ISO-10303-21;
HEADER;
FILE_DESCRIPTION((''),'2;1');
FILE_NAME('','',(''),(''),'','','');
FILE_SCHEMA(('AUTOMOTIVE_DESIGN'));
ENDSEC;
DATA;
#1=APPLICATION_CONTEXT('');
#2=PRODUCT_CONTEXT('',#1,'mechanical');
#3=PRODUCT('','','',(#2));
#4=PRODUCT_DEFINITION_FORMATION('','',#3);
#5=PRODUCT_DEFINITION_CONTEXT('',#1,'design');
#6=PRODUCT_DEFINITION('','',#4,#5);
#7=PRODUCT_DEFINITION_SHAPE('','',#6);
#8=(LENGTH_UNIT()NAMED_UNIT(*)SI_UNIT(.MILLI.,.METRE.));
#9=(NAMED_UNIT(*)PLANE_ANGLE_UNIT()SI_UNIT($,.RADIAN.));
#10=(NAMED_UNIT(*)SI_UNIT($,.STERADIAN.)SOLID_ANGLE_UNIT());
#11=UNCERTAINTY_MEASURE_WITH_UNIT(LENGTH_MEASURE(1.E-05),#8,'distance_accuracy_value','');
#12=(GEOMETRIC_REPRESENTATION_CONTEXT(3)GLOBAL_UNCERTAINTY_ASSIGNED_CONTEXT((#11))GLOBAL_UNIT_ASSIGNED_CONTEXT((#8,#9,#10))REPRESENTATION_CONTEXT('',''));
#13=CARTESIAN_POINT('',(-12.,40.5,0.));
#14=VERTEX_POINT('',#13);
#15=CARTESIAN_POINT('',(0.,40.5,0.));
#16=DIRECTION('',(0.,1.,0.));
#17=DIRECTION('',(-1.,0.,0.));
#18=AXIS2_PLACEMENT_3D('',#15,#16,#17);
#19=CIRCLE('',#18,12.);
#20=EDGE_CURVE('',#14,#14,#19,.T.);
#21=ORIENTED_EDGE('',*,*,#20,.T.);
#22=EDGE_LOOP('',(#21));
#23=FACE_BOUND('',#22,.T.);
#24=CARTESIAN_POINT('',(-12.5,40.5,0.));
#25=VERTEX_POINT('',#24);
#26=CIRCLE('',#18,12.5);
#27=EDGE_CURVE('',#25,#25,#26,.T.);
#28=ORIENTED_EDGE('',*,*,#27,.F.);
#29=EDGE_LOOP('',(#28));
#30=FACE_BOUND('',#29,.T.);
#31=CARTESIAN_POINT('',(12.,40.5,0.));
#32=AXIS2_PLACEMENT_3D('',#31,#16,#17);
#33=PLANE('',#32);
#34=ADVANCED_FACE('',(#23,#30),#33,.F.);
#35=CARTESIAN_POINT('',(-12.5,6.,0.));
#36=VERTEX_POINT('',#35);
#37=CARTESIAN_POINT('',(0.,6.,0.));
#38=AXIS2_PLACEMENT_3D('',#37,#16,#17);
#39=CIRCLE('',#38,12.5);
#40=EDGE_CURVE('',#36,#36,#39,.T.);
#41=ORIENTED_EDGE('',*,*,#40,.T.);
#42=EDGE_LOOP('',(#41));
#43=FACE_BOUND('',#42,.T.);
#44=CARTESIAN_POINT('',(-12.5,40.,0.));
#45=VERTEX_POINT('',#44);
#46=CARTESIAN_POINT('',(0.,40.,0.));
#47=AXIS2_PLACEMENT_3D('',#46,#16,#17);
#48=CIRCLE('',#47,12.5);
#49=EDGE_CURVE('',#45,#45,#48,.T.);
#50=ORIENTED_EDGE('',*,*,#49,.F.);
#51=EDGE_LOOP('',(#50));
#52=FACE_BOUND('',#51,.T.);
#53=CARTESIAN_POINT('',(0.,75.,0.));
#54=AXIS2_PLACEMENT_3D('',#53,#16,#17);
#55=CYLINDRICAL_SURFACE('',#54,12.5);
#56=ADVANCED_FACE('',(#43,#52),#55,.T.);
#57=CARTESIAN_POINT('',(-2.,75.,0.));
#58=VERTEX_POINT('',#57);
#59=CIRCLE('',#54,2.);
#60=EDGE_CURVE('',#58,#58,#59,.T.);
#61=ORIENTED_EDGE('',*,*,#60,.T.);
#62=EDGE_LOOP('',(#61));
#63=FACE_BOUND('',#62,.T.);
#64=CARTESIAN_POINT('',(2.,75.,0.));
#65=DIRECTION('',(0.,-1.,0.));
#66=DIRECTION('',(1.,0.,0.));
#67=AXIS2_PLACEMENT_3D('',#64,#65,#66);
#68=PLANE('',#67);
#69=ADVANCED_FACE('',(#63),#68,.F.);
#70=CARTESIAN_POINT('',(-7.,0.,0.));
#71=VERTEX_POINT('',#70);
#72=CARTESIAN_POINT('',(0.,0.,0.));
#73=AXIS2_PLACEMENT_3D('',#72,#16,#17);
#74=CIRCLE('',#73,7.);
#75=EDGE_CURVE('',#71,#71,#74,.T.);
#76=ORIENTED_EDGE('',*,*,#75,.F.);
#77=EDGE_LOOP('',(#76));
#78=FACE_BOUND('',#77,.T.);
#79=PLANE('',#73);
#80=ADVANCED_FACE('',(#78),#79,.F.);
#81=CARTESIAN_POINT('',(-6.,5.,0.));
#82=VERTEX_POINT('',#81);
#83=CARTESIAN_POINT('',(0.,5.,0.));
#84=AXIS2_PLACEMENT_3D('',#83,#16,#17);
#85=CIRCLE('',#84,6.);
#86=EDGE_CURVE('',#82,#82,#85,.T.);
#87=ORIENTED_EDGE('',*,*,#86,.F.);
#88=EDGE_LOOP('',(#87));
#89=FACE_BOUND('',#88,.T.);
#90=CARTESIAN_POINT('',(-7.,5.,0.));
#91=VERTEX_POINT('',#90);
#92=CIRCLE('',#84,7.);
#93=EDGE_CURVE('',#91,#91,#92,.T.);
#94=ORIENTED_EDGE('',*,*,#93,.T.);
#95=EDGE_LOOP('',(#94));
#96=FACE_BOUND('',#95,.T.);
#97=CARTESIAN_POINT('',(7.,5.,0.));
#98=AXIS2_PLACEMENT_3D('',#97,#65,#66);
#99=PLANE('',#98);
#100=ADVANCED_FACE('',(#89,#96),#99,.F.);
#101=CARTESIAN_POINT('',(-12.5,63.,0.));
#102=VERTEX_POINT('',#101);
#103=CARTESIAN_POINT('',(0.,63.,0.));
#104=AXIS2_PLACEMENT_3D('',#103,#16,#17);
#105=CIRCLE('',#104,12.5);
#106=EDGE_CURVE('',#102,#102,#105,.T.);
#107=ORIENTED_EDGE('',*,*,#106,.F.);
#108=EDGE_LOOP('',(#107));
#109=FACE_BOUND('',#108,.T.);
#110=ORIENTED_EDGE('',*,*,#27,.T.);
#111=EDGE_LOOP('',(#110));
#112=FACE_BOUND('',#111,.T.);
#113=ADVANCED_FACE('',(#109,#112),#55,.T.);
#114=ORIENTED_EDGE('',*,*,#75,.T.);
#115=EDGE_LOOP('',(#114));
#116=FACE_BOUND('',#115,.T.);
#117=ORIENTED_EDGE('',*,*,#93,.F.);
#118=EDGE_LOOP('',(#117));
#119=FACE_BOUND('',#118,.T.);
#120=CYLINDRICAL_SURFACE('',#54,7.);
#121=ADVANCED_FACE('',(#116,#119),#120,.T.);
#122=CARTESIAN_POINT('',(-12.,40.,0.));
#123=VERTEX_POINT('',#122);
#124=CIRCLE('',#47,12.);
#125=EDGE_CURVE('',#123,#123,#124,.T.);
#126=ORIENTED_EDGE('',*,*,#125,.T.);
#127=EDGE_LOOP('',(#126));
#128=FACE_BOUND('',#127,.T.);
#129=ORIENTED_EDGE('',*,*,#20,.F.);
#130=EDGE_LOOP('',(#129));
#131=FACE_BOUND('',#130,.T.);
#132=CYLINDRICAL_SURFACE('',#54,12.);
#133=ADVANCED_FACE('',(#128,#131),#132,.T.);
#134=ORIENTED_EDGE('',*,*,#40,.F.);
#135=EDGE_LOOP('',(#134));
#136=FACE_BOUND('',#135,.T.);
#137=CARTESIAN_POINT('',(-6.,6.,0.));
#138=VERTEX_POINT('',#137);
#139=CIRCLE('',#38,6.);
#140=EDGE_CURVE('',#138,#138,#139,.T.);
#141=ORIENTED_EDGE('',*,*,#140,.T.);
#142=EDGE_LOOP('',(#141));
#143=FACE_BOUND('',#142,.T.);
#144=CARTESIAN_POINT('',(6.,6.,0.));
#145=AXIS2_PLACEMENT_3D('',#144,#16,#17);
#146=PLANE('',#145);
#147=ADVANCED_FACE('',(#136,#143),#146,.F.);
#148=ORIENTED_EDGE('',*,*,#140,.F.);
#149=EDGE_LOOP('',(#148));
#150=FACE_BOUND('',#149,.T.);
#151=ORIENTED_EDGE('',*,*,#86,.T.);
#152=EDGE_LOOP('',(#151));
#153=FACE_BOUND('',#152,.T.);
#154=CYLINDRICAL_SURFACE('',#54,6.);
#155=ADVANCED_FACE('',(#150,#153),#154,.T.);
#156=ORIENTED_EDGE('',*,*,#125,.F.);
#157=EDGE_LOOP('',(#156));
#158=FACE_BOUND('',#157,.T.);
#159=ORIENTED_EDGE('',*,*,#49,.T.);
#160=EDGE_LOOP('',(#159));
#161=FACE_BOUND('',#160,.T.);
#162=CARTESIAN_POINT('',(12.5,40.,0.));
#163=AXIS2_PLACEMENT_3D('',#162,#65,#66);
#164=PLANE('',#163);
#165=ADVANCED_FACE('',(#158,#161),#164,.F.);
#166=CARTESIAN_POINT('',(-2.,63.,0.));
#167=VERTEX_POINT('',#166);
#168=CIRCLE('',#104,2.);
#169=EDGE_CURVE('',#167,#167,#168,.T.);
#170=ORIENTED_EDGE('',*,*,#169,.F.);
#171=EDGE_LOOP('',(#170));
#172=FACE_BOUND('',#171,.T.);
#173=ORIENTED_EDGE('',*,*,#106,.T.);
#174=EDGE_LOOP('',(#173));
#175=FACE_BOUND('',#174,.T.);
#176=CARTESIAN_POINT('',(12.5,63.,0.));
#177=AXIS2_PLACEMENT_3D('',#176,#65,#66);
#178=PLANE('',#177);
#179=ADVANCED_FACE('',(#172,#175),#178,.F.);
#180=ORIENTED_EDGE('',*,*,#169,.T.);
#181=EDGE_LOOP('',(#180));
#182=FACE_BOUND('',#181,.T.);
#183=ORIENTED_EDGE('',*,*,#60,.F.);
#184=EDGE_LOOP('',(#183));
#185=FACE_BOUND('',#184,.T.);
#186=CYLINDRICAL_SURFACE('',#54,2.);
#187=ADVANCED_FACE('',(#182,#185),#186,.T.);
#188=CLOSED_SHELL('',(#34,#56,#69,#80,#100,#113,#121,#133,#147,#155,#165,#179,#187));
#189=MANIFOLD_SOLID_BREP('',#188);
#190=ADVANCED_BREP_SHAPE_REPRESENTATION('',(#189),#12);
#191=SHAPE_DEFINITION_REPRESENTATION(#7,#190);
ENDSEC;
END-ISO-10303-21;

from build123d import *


with BuildPart() as part:
    # Esboço1 → Revolução1 (revolve)
    with BuildSketch(Plane.XY):
        Polygon((0, 0), (7, 0), (7, 5), (6, 5), (6, 6), (12.5, 6), (12.5, 40), (12, 40), (12, 40.5), (12.5, 40.5), (12.5, 63), (2, 63), (2, 75), (0, 75), align=None)
    revolve(axis=Axis((0, 75, 0), (0, -1, 0)))


solid = part.part
